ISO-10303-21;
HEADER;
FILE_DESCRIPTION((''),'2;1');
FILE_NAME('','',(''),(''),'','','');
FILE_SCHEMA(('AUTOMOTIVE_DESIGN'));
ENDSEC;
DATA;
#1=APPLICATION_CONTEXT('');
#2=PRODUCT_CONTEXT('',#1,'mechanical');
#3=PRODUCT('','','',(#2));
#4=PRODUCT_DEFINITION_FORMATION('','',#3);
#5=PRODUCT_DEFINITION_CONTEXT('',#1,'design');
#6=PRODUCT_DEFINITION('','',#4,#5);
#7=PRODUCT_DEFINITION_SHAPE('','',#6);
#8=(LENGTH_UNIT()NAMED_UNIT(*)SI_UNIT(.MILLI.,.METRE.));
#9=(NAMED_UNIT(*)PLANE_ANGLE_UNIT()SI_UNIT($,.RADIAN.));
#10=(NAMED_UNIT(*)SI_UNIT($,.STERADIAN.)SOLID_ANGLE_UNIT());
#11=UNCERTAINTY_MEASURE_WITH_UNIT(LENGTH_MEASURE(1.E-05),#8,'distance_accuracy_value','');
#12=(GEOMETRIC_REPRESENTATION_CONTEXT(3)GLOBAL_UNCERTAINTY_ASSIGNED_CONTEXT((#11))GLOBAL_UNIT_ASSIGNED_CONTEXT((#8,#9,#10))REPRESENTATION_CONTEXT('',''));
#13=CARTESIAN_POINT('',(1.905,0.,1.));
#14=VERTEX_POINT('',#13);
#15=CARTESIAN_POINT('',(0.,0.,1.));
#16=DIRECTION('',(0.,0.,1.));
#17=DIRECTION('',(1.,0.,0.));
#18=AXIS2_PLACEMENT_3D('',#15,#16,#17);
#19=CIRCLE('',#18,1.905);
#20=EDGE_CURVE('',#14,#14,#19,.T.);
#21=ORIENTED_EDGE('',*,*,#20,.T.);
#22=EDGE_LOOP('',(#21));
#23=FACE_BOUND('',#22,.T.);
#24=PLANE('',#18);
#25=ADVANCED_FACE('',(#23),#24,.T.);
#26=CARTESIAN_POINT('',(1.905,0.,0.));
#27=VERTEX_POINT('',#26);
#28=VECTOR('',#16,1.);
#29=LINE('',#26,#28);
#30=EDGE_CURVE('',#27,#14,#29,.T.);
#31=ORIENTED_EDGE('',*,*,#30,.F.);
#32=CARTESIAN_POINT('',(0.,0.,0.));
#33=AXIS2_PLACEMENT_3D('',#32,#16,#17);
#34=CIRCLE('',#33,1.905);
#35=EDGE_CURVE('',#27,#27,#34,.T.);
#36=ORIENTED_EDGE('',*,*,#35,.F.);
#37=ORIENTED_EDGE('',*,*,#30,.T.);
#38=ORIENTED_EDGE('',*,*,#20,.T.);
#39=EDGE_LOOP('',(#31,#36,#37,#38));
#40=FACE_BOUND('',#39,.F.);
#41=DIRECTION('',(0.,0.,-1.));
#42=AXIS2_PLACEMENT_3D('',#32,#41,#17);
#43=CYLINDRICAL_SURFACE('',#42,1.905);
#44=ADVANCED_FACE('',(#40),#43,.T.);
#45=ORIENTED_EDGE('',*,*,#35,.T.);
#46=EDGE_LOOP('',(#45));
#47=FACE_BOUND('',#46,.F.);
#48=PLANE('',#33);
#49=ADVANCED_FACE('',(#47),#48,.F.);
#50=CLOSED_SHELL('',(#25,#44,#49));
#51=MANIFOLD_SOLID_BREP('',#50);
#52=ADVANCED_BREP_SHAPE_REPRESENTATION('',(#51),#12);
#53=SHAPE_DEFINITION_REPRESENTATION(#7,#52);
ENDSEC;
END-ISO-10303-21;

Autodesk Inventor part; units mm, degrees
ref_plane "YZ Plane" through (0, 0, 0) normal (1, 0, 0) x (0, 1, 0)
ref_plane "XZ Plane" through (0, 0, 0) normal (0, 1, 0) x (-1, 0, 0)
ref_plane "XY Plane" through (0, 0, 0) normal (0, 0, 1) x (1, 0, 0)
sketch "Sketch1" plane through (0, 0, 0) normal (0, 0, 1) x (1, 0, 0)
  circle A0 centre (0, 0) radius 1.905
  dimension "d0" = 3.81
extrude "Extrusion1" add sketch "Sketch1" along normal blind 1
properties part number "button"
